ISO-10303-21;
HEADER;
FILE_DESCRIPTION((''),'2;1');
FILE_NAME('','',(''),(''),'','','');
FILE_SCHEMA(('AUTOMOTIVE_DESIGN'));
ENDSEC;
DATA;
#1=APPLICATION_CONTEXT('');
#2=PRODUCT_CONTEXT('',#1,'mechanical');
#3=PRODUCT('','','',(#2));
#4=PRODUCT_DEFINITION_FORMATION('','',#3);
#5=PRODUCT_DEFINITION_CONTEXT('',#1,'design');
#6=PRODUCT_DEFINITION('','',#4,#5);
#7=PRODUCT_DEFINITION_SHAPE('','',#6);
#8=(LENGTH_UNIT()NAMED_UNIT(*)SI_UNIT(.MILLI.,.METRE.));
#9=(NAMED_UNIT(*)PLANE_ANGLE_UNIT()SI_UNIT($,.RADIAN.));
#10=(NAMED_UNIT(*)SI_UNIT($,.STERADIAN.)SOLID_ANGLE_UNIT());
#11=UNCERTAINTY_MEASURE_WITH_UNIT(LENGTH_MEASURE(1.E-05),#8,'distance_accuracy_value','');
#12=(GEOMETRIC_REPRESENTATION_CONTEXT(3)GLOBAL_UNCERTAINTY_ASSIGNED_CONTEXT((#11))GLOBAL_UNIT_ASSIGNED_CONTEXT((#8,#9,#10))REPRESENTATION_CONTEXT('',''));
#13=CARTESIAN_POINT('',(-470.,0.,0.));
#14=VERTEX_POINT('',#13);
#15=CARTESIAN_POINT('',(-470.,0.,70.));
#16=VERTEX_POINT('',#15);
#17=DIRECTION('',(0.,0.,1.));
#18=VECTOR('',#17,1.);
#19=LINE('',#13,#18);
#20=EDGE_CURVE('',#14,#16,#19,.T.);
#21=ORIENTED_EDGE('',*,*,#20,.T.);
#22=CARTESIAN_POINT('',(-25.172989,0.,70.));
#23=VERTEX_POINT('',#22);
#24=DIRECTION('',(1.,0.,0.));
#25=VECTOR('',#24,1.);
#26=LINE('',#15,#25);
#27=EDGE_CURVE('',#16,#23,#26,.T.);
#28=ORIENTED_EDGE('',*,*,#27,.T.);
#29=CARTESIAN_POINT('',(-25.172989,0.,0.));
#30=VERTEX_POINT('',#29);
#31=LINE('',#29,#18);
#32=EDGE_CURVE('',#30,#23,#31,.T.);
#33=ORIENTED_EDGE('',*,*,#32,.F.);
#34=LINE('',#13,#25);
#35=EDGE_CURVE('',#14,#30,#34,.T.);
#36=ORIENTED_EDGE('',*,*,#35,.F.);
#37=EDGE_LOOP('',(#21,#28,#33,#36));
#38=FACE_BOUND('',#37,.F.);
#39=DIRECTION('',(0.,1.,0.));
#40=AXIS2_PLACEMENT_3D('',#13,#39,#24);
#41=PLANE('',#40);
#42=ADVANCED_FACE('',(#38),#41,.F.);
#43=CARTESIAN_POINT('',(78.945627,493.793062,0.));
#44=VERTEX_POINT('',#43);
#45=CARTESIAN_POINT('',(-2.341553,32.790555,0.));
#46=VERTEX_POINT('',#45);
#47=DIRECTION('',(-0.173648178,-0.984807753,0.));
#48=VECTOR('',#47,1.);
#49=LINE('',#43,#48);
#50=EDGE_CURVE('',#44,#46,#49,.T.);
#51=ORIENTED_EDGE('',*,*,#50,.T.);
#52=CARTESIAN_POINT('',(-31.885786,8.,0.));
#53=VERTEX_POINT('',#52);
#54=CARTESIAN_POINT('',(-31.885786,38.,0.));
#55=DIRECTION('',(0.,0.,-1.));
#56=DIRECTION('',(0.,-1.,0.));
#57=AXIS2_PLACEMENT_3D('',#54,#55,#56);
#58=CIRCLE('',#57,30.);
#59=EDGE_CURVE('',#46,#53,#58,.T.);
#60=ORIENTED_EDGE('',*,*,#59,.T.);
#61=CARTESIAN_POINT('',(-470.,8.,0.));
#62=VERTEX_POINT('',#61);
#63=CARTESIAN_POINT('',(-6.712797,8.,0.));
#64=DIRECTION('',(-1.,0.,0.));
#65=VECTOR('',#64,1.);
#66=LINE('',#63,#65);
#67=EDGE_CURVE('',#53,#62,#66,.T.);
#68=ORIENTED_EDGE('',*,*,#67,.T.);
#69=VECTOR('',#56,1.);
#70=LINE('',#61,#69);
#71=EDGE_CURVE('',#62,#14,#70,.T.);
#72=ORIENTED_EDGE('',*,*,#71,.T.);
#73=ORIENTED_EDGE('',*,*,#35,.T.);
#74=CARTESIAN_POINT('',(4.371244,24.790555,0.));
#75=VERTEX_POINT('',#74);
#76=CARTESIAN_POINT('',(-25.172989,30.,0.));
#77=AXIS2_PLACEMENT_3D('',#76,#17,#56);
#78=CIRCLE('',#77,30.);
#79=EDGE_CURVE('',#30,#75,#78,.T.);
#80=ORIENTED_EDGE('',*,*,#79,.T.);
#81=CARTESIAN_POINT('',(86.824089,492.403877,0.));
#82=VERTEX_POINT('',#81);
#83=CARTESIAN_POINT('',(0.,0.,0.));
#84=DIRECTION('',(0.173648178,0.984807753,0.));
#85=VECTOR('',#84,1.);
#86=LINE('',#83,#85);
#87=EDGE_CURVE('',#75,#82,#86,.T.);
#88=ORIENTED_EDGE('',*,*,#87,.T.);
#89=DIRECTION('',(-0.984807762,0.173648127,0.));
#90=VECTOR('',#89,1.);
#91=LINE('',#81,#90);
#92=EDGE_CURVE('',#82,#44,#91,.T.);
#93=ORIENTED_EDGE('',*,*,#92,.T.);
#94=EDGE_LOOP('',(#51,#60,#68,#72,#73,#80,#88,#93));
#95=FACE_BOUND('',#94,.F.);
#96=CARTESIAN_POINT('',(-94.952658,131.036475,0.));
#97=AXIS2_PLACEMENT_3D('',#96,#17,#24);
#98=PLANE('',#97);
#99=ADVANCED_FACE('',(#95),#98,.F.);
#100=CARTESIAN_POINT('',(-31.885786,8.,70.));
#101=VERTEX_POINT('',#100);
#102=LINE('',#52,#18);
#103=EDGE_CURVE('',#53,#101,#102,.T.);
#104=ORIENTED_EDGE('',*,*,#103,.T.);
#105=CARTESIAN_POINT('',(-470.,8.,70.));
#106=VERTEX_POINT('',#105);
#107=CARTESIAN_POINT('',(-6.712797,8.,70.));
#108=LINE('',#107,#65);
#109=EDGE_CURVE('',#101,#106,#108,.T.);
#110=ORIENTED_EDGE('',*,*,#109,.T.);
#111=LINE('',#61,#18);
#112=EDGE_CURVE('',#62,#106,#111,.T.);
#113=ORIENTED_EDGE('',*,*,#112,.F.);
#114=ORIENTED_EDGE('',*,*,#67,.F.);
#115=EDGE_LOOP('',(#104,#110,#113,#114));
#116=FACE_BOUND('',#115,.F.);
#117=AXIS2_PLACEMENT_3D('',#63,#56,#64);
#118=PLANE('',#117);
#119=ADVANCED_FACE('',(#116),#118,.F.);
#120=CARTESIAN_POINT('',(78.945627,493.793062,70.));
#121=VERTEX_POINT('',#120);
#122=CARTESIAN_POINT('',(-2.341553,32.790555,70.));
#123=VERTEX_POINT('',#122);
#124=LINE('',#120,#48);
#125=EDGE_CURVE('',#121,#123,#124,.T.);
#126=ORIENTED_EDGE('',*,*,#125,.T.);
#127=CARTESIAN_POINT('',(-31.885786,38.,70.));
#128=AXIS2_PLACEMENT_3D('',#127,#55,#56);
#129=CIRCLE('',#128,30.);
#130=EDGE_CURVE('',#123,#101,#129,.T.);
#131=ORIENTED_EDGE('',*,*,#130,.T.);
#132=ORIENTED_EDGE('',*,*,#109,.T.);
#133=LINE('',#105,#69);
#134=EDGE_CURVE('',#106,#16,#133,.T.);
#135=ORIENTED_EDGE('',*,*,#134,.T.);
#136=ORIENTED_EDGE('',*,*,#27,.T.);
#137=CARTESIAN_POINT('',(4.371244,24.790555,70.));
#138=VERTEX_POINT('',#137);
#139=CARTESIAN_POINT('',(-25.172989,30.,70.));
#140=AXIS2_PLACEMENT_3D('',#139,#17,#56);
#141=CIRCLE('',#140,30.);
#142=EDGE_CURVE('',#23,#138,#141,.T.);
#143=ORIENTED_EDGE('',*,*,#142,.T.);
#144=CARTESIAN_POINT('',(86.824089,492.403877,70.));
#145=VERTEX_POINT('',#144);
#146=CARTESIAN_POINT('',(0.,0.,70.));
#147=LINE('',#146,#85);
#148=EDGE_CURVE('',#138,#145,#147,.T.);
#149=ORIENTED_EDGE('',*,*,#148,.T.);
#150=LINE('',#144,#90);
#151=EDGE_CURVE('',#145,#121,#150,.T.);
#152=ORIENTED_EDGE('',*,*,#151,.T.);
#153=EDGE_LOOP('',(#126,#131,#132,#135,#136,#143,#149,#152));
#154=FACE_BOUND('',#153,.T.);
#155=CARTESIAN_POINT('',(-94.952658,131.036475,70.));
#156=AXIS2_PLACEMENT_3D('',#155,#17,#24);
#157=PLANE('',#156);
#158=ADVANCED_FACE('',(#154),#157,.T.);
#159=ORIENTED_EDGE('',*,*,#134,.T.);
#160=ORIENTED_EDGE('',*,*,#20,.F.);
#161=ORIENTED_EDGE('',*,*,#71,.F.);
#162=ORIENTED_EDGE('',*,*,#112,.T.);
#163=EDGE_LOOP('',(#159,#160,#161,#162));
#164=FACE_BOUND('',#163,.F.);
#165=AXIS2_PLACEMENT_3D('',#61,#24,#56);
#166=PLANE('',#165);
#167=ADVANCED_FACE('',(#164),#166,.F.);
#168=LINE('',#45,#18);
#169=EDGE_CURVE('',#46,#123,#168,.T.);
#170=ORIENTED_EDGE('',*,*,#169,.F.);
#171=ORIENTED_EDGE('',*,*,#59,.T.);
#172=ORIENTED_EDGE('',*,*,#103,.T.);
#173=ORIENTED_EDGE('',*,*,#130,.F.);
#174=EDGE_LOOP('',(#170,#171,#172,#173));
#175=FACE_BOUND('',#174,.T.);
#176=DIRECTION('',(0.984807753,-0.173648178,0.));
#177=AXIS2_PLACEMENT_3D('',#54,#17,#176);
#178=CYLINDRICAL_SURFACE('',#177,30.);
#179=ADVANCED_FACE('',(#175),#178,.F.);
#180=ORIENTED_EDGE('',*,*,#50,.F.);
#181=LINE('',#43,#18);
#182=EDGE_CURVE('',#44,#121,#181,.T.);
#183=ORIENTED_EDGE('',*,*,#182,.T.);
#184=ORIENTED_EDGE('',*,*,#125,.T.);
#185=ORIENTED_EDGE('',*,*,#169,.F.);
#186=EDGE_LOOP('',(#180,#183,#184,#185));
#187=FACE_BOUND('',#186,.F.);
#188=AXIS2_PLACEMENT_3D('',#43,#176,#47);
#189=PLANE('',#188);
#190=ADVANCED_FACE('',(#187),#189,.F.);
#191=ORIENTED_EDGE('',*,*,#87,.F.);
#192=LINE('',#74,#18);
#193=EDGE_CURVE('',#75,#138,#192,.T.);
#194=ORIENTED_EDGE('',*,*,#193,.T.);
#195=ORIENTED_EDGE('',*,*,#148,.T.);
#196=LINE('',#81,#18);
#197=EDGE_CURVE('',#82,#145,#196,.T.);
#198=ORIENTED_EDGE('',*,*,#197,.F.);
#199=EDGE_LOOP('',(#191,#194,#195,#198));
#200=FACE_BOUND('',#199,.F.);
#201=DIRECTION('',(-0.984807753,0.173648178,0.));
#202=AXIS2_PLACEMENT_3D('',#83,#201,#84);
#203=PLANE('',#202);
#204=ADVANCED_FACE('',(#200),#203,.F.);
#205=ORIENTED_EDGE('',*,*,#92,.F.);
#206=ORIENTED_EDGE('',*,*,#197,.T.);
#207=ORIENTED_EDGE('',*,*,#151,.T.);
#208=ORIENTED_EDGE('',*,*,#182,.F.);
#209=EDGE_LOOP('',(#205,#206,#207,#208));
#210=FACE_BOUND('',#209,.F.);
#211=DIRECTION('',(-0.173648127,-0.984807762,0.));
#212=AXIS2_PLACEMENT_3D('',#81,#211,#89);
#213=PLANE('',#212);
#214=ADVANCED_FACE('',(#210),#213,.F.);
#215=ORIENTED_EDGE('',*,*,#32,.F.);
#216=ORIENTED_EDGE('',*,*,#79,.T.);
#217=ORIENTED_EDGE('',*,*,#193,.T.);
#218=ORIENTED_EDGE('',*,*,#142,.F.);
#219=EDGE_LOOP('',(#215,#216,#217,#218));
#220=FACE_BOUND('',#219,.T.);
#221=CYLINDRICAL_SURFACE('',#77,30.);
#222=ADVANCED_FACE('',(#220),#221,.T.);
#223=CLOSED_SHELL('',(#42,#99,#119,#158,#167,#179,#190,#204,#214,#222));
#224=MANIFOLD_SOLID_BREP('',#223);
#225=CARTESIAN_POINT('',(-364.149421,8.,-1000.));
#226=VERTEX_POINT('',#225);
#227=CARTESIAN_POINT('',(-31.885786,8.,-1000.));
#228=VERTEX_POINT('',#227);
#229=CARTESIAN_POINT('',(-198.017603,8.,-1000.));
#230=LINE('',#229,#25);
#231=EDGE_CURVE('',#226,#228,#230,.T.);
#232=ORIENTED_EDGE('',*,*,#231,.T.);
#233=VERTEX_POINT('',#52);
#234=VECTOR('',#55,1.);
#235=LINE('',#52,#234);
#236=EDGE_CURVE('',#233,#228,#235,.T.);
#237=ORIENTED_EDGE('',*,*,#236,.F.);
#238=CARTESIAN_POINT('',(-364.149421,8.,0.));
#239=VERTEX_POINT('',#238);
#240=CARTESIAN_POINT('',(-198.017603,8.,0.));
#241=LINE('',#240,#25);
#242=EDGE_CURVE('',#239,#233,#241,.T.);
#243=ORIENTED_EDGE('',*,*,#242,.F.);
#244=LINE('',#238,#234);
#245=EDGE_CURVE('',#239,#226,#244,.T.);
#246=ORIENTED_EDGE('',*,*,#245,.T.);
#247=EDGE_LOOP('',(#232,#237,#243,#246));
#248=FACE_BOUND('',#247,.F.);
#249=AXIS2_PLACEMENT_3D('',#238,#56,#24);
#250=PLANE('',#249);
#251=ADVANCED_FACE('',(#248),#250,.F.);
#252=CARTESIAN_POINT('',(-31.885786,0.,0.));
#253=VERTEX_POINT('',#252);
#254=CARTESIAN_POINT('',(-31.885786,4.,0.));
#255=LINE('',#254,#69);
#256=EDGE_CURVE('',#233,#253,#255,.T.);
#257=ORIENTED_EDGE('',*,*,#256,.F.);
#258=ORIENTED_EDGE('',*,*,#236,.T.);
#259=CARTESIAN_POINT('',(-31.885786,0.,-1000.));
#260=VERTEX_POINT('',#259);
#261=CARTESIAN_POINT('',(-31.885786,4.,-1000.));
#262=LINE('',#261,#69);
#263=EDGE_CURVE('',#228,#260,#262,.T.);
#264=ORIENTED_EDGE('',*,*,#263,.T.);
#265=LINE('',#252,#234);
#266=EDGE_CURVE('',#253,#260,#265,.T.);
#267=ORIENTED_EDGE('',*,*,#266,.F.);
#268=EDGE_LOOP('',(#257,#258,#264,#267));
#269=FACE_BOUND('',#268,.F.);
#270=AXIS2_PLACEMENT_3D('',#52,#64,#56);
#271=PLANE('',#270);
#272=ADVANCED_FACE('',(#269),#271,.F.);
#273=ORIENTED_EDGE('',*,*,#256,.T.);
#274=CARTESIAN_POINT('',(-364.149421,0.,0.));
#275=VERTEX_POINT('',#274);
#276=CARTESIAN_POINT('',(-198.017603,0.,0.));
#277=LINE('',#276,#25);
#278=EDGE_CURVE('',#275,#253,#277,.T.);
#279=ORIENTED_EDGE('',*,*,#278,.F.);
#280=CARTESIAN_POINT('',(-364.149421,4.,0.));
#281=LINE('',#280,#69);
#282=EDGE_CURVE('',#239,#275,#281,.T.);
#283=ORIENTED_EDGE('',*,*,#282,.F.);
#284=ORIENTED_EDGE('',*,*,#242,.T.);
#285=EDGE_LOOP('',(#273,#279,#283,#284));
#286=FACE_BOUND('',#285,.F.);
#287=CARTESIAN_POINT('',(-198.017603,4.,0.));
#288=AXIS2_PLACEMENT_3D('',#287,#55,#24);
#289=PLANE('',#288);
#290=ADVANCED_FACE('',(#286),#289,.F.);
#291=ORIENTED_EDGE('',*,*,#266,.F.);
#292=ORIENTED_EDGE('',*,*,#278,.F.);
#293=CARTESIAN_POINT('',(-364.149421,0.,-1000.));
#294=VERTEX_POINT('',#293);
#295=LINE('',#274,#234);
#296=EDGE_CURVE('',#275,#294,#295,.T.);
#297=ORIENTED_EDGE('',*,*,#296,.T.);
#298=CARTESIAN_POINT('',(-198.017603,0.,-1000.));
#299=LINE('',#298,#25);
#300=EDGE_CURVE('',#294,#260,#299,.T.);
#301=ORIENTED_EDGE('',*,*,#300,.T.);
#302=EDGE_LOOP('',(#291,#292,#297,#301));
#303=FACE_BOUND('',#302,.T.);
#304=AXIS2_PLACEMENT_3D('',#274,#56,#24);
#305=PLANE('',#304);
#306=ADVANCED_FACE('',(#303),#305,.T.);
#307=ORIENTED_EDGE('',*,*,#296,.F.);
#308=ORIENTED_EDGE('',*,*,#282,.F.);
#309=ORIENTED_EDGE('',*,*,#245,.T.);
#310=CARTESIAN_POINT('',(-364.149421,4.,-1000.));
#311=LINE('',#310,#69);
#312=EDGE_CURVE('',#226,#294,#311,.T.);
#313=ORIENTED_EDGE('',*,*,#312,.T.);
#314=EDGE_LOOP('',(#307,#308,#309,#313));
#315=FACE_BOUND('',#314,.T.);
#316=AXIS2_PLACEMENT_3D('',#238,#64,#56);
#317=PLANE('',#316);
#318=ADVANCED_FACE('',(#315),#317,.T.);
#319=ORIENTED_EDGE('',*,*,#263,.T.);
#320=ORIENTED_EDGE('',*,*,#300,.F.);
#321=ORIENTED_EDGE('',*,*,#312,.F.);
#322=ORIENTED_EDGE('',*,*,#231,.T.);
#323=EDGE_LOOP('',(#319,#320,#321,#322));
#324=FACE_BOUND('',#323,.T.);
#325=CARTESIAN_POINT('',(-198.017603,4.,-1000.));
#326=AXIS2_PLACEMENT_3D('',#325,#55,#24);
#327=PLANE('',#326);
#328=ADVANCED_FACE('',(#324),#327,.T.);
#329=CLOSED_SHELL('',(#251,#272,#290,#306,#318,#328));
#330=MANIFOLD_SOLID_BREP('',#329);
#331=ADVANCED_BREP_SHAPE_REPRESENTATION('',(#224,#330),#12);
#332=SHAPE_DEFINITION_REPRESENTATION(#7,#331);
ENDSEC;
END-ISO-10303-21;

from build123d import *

# Parameters (mm, degrees)
F1_DEPTH = 70
F2_R     = 30
F3_W     = 332.263635
F3_H     = 8
F4_DEPTH = 1000


with BuildPart() as f1:
    # F0 (on Top) → F1 (new body)
    with BuildSketch(Plane.XY):
        Polygon((-470, 0), (0, 0), (86.824089, 492.403877), (78.945627, 493.793062), (-6.712797, 8), (-470, 8), align=None)
    extrude(amount=F1_DEPTH)

    # F2
    f2_edges = [f1.edges().sort_by_distance(p)[0] for p in [
        (-6.712797, 8, 35),
        (0, 0, 35),
    ]]
    fillet(f2_edges, radius=F2_R)


with BuildPart() as f4:
    # F3 (on face) → F4 (new body)
    with BuildSketch(Plane(origin=(0, 0, 0), x_dir=(1, 0, 0), z_dir=(0, 0, -1))):
        with Locations((-198.017603, -4)):
            Rectangle(F3_W, F3_H)
    extrude(amount=F4_DEPTH)


solid = Compound([f1.part, f4.part])
